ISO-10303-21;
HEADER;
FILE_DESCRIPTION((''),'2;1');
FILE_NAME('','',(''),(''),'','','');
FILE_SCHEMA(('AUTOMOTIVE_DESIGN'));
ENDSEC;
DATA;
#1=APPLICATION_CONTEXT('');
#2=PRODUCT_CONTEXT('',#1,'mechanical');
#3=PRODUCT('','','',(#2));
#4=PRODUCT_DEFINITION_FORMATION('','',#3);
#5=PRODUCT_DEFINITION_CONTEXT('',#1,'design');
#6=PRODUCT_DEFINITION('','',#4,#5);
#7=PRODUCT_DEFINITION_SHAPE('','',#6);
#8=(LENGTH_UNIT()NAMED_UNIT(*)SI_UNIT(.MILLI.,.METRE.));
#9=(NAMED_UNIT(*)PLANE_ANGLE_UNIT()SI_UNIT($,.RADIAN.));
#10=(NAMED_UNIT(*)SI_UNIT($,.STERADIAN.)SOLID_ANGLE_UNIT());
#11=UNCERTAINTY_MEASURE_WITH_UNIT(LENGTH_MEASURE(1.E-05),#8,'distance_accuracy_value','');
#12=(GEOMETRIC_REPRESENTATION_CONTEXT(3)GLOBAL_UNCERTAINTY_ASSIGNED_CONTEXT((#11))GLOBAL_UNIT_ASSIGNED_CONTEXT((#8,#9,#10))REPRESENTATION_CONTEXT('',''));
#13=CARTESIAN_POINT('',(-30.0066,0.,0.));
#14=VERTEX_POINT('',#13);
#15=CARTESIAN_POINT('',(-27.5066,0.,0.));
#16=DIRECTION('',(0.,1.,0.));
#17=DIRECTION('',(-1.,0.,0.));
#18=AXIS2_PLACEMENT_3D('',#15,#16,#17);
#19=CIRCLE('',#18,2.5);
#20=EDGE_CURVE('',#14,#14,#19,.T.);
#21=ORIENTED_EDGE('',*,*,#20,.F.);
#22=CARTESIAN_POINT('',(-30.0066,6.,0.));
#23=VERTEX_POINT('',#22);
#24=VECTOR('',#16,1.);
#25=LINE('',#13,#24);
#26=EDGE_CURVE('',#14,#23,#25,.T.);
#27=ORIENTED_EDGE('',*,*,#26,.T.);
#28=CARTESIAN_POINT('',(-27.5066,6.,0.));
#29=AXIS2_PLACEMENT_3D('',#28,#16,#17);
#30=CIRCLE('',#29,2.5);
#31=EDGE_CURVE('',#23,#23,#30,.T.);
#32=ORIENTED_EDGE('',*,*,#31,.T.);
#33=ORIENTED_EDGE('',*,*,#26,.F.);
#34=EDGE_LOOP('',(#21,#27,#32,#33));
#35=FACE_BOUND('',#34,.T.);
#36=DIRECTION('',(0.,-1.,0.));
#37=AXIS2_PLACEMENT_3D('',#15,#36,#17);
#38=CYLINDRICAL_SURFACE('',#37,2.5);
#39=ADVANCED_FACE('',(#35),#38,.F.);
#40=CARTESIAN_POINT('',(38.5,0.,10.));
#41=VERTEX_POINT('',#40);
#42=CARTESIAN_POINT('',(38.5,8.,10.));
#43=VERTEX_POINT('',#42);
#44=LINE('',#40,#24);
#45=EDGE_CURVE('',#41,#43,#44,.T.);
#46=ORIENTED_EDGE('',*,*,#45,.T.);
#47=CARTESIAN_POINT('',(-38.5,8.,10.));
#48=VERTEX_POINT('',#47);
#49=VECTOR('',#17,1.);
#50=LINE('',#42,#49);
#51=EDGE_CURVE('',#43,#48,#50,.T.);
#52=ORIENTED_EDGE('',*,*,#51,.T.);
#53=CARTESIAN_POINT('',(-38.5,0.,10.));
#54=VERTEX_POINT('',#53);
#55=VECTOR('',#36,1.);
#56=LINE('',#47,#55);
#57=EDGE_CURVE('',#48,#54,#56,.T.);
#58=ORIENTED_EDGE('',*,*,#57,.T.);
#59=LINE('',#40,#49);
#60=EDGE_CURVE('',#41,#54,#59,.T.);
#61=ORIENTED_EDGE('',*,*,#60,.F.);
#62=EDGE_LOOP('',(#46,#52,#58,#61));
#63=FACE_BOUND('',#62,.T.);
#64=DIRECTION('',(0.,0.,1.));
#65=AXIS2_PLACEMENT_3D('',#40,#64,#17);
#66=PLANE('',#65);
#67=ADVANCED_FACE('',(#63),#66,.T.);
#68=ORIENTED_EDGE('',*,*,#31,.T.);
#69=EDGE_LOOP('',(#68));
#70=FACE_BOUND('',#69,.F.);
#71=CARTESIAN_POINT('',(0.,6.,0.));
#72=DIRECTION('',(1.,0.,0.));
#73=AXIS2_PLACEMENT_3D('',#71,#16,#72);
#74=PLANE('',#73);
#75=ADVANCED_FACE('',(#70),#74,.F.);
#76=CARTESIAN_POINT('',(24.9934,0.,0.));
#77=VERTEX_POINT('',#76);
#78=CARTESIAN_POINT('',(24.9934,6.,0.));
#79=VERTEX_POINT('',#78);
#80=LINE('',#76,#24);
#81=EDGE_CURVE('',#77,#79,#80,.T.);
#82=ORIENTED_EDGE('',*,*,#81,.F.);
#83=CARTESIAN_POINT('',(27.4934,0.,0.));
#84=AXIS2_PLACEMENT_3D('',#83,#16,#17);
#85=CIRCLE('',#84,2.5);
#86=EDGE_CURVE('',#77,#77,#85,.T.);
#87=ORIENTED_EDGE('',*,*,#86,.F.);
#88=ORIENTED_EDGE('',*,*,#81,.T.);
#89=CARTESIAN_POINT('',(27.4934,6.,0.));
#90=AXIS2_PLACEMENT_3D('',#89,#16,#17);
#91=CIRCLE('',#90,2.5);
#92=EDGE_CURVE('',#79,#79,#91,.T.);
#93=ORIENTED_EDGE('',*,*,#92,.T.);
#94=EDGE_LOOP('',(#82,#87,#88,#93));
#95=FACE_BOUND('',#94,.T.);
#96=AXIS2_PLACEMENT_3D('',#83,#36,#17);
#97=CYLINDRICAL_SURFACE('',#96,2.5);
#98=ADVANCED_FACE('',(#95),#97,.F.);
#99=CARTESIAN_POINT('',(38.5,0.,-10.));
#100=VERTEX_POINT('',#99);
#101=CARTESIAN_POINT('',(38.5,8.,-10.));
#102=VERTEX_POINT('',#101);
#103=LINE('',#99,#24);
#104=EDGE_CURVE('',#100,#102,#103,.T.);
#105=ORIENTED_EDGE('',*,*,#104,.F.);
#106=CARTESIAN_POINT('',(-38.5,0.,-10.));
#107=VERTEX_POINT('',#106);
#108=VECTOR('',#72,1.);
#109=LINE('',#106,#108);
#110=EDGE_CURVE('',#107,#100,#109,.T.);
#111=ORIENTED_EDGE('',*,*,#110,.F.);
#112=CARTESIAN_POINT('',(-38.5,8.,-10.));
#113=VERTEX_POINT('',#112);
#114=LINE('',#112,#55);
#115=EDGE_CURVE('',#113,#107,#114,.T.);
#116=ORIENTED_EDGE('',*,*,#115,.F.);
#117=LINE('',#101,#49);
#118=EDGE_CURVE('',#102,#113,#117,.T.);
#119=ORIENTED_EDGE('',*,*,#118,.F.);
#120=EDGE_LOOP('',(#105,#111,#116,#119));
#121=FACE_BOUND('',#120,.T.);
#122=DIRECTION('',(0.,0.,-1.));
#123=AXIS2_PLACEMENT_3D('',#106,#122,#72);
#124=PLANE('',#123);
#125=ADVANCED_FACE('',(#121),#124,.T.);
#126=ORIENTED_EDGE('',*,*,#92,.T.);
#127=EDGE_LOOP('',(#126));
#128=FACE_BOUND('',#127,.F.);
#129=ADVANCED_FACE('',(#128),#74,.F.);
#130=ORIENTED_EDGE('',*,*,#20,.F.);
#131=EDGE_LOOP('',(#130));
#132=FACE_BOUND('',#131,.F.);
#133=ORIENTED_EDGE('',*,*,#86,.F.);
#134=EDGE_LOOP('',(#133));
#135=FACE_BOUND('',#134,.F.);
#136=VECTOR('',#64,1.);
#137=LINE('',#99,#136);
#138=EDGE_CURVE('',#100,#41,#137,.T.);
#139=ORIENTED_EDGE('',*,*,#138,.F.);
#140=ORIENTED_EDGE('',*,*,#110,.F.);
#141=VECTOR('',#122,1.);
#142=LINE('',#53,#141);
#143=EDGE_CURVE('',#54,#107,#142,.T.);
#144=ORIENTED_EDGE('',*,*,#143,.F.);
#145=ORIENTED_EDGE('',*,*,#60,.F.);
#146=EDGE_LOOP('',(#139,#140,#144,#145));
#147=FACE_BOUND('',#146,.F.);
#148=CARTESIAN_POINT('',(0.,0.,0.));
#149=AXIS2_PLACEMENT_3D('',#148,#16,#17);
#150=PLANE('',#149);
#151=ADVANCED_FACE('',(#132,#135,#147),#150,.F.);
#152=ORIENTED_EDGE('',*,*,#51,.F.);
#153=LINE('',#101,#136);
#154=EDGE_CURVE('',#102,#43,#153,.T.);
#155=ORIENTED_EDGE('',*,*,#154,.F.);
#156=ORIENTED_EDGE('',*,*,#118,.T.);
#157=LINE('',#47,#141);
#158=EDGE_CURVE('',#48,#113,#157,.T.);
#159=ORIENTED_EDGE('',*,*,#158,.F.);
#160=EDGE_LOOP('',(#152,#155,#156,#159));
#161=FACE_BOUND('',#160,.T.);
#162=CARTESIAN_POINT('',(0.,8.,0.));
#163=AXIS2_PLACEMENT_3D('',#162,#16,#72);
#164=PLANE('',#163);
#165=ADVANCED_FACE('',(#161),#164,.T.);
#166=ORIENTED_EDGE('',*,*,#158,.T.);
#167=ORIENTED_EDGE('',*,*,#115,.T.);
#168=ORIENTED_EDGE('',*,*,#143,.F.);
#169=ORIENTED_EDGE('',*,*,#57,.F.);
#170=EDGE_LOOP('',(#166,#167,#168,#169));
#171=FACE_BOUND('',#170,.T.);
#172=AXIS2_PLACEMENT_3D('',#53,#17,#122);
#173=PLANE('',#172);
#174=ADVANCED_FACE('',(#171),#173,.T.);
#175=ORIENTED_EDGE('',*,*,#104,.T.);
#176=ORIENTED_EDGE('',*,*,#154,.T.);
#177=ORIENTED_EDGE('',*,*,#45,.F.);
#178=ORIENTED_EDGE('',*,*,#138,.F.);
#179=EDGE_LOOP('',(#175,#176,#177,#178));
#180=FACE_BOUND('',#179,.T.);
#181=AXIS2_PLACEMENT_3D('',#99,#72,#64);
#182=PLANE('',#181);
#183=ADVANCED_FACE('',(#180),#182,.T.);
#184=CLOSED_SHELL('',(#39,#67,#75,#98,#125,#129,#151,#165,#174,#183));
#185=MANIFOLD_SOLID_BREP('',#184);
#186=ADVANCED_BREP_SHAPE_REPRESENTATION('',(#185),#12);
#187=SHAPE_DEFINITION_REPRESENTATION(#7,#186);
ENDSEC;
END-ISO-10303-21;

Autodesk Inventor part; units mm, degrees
ref_plane "YZ Plane" through (0, 0, 0) normal (1, 0, 0) x (0, 1, 0)
ref_plane "XZ Plane" through (0, 0, 0) normal (0, 1, 0) x (-1, 0, 0)
ref_plane "XY Plane" through (0, 0, 0) normal (0, 0, 1) x (1, 0, 0)
sketch "Sketch1" plane through (0, 0, 0) normal (0, 1, 0) x (-1, 0, 0)
  line L0 (-38.5, 10) -> (38.5, 10)
  line L1 (38.5, 10) -> (38.5, -10)
  line L2 (38.5, -10) -> (-38.5, -10)
  line L3 (-38.5, -10) -> (-38.5, 10)
  line L4 (-38.5, 10) -> (38.5, -10) construction
  line L5 (38.5, 10) -> (-38.5, -10) construction
  circle A0 centre (27.5066, 0) radius 2.5
  circle A1 centre (-27.4934, 0) radius 2.5
  point P0 (0, 0)
  dimension "d0" = 77
  dimension "d1" = 20
  dimension "d2" = 5
  dimension "d3" = 5
  dimension "d4" = 55
  dimension "d5" = 10
extrude "Extrusion1" add sketch "Sketch1" along normal blind 6
sketch "Sketch2" plane through (0, 6, 0) normal (0, 1, 0) x (1, 0, 0)
  line L0 (38.5, 10) -> (-38.5, 10) projected
  line L1 (38.5, -10) -> (-38.5, -10)
  line L2 (-38.5, -10) -> (-38.5, 10)
  line L3 (-38.5, 10) -> (38.5, 10)
  line L4 (38.5, 10) -> (38.5, -10)
  line L5 (38.5, -10) -> (-38.5, 10) construction
  line L6 (-38.5, -10) -> (38.5, 10) construction
  point P0 (0, 0)
extrude "Extrusion2" add sketch "Sketch2" along normal blind 2
properties part number "Spannbacke" material "Steel"
